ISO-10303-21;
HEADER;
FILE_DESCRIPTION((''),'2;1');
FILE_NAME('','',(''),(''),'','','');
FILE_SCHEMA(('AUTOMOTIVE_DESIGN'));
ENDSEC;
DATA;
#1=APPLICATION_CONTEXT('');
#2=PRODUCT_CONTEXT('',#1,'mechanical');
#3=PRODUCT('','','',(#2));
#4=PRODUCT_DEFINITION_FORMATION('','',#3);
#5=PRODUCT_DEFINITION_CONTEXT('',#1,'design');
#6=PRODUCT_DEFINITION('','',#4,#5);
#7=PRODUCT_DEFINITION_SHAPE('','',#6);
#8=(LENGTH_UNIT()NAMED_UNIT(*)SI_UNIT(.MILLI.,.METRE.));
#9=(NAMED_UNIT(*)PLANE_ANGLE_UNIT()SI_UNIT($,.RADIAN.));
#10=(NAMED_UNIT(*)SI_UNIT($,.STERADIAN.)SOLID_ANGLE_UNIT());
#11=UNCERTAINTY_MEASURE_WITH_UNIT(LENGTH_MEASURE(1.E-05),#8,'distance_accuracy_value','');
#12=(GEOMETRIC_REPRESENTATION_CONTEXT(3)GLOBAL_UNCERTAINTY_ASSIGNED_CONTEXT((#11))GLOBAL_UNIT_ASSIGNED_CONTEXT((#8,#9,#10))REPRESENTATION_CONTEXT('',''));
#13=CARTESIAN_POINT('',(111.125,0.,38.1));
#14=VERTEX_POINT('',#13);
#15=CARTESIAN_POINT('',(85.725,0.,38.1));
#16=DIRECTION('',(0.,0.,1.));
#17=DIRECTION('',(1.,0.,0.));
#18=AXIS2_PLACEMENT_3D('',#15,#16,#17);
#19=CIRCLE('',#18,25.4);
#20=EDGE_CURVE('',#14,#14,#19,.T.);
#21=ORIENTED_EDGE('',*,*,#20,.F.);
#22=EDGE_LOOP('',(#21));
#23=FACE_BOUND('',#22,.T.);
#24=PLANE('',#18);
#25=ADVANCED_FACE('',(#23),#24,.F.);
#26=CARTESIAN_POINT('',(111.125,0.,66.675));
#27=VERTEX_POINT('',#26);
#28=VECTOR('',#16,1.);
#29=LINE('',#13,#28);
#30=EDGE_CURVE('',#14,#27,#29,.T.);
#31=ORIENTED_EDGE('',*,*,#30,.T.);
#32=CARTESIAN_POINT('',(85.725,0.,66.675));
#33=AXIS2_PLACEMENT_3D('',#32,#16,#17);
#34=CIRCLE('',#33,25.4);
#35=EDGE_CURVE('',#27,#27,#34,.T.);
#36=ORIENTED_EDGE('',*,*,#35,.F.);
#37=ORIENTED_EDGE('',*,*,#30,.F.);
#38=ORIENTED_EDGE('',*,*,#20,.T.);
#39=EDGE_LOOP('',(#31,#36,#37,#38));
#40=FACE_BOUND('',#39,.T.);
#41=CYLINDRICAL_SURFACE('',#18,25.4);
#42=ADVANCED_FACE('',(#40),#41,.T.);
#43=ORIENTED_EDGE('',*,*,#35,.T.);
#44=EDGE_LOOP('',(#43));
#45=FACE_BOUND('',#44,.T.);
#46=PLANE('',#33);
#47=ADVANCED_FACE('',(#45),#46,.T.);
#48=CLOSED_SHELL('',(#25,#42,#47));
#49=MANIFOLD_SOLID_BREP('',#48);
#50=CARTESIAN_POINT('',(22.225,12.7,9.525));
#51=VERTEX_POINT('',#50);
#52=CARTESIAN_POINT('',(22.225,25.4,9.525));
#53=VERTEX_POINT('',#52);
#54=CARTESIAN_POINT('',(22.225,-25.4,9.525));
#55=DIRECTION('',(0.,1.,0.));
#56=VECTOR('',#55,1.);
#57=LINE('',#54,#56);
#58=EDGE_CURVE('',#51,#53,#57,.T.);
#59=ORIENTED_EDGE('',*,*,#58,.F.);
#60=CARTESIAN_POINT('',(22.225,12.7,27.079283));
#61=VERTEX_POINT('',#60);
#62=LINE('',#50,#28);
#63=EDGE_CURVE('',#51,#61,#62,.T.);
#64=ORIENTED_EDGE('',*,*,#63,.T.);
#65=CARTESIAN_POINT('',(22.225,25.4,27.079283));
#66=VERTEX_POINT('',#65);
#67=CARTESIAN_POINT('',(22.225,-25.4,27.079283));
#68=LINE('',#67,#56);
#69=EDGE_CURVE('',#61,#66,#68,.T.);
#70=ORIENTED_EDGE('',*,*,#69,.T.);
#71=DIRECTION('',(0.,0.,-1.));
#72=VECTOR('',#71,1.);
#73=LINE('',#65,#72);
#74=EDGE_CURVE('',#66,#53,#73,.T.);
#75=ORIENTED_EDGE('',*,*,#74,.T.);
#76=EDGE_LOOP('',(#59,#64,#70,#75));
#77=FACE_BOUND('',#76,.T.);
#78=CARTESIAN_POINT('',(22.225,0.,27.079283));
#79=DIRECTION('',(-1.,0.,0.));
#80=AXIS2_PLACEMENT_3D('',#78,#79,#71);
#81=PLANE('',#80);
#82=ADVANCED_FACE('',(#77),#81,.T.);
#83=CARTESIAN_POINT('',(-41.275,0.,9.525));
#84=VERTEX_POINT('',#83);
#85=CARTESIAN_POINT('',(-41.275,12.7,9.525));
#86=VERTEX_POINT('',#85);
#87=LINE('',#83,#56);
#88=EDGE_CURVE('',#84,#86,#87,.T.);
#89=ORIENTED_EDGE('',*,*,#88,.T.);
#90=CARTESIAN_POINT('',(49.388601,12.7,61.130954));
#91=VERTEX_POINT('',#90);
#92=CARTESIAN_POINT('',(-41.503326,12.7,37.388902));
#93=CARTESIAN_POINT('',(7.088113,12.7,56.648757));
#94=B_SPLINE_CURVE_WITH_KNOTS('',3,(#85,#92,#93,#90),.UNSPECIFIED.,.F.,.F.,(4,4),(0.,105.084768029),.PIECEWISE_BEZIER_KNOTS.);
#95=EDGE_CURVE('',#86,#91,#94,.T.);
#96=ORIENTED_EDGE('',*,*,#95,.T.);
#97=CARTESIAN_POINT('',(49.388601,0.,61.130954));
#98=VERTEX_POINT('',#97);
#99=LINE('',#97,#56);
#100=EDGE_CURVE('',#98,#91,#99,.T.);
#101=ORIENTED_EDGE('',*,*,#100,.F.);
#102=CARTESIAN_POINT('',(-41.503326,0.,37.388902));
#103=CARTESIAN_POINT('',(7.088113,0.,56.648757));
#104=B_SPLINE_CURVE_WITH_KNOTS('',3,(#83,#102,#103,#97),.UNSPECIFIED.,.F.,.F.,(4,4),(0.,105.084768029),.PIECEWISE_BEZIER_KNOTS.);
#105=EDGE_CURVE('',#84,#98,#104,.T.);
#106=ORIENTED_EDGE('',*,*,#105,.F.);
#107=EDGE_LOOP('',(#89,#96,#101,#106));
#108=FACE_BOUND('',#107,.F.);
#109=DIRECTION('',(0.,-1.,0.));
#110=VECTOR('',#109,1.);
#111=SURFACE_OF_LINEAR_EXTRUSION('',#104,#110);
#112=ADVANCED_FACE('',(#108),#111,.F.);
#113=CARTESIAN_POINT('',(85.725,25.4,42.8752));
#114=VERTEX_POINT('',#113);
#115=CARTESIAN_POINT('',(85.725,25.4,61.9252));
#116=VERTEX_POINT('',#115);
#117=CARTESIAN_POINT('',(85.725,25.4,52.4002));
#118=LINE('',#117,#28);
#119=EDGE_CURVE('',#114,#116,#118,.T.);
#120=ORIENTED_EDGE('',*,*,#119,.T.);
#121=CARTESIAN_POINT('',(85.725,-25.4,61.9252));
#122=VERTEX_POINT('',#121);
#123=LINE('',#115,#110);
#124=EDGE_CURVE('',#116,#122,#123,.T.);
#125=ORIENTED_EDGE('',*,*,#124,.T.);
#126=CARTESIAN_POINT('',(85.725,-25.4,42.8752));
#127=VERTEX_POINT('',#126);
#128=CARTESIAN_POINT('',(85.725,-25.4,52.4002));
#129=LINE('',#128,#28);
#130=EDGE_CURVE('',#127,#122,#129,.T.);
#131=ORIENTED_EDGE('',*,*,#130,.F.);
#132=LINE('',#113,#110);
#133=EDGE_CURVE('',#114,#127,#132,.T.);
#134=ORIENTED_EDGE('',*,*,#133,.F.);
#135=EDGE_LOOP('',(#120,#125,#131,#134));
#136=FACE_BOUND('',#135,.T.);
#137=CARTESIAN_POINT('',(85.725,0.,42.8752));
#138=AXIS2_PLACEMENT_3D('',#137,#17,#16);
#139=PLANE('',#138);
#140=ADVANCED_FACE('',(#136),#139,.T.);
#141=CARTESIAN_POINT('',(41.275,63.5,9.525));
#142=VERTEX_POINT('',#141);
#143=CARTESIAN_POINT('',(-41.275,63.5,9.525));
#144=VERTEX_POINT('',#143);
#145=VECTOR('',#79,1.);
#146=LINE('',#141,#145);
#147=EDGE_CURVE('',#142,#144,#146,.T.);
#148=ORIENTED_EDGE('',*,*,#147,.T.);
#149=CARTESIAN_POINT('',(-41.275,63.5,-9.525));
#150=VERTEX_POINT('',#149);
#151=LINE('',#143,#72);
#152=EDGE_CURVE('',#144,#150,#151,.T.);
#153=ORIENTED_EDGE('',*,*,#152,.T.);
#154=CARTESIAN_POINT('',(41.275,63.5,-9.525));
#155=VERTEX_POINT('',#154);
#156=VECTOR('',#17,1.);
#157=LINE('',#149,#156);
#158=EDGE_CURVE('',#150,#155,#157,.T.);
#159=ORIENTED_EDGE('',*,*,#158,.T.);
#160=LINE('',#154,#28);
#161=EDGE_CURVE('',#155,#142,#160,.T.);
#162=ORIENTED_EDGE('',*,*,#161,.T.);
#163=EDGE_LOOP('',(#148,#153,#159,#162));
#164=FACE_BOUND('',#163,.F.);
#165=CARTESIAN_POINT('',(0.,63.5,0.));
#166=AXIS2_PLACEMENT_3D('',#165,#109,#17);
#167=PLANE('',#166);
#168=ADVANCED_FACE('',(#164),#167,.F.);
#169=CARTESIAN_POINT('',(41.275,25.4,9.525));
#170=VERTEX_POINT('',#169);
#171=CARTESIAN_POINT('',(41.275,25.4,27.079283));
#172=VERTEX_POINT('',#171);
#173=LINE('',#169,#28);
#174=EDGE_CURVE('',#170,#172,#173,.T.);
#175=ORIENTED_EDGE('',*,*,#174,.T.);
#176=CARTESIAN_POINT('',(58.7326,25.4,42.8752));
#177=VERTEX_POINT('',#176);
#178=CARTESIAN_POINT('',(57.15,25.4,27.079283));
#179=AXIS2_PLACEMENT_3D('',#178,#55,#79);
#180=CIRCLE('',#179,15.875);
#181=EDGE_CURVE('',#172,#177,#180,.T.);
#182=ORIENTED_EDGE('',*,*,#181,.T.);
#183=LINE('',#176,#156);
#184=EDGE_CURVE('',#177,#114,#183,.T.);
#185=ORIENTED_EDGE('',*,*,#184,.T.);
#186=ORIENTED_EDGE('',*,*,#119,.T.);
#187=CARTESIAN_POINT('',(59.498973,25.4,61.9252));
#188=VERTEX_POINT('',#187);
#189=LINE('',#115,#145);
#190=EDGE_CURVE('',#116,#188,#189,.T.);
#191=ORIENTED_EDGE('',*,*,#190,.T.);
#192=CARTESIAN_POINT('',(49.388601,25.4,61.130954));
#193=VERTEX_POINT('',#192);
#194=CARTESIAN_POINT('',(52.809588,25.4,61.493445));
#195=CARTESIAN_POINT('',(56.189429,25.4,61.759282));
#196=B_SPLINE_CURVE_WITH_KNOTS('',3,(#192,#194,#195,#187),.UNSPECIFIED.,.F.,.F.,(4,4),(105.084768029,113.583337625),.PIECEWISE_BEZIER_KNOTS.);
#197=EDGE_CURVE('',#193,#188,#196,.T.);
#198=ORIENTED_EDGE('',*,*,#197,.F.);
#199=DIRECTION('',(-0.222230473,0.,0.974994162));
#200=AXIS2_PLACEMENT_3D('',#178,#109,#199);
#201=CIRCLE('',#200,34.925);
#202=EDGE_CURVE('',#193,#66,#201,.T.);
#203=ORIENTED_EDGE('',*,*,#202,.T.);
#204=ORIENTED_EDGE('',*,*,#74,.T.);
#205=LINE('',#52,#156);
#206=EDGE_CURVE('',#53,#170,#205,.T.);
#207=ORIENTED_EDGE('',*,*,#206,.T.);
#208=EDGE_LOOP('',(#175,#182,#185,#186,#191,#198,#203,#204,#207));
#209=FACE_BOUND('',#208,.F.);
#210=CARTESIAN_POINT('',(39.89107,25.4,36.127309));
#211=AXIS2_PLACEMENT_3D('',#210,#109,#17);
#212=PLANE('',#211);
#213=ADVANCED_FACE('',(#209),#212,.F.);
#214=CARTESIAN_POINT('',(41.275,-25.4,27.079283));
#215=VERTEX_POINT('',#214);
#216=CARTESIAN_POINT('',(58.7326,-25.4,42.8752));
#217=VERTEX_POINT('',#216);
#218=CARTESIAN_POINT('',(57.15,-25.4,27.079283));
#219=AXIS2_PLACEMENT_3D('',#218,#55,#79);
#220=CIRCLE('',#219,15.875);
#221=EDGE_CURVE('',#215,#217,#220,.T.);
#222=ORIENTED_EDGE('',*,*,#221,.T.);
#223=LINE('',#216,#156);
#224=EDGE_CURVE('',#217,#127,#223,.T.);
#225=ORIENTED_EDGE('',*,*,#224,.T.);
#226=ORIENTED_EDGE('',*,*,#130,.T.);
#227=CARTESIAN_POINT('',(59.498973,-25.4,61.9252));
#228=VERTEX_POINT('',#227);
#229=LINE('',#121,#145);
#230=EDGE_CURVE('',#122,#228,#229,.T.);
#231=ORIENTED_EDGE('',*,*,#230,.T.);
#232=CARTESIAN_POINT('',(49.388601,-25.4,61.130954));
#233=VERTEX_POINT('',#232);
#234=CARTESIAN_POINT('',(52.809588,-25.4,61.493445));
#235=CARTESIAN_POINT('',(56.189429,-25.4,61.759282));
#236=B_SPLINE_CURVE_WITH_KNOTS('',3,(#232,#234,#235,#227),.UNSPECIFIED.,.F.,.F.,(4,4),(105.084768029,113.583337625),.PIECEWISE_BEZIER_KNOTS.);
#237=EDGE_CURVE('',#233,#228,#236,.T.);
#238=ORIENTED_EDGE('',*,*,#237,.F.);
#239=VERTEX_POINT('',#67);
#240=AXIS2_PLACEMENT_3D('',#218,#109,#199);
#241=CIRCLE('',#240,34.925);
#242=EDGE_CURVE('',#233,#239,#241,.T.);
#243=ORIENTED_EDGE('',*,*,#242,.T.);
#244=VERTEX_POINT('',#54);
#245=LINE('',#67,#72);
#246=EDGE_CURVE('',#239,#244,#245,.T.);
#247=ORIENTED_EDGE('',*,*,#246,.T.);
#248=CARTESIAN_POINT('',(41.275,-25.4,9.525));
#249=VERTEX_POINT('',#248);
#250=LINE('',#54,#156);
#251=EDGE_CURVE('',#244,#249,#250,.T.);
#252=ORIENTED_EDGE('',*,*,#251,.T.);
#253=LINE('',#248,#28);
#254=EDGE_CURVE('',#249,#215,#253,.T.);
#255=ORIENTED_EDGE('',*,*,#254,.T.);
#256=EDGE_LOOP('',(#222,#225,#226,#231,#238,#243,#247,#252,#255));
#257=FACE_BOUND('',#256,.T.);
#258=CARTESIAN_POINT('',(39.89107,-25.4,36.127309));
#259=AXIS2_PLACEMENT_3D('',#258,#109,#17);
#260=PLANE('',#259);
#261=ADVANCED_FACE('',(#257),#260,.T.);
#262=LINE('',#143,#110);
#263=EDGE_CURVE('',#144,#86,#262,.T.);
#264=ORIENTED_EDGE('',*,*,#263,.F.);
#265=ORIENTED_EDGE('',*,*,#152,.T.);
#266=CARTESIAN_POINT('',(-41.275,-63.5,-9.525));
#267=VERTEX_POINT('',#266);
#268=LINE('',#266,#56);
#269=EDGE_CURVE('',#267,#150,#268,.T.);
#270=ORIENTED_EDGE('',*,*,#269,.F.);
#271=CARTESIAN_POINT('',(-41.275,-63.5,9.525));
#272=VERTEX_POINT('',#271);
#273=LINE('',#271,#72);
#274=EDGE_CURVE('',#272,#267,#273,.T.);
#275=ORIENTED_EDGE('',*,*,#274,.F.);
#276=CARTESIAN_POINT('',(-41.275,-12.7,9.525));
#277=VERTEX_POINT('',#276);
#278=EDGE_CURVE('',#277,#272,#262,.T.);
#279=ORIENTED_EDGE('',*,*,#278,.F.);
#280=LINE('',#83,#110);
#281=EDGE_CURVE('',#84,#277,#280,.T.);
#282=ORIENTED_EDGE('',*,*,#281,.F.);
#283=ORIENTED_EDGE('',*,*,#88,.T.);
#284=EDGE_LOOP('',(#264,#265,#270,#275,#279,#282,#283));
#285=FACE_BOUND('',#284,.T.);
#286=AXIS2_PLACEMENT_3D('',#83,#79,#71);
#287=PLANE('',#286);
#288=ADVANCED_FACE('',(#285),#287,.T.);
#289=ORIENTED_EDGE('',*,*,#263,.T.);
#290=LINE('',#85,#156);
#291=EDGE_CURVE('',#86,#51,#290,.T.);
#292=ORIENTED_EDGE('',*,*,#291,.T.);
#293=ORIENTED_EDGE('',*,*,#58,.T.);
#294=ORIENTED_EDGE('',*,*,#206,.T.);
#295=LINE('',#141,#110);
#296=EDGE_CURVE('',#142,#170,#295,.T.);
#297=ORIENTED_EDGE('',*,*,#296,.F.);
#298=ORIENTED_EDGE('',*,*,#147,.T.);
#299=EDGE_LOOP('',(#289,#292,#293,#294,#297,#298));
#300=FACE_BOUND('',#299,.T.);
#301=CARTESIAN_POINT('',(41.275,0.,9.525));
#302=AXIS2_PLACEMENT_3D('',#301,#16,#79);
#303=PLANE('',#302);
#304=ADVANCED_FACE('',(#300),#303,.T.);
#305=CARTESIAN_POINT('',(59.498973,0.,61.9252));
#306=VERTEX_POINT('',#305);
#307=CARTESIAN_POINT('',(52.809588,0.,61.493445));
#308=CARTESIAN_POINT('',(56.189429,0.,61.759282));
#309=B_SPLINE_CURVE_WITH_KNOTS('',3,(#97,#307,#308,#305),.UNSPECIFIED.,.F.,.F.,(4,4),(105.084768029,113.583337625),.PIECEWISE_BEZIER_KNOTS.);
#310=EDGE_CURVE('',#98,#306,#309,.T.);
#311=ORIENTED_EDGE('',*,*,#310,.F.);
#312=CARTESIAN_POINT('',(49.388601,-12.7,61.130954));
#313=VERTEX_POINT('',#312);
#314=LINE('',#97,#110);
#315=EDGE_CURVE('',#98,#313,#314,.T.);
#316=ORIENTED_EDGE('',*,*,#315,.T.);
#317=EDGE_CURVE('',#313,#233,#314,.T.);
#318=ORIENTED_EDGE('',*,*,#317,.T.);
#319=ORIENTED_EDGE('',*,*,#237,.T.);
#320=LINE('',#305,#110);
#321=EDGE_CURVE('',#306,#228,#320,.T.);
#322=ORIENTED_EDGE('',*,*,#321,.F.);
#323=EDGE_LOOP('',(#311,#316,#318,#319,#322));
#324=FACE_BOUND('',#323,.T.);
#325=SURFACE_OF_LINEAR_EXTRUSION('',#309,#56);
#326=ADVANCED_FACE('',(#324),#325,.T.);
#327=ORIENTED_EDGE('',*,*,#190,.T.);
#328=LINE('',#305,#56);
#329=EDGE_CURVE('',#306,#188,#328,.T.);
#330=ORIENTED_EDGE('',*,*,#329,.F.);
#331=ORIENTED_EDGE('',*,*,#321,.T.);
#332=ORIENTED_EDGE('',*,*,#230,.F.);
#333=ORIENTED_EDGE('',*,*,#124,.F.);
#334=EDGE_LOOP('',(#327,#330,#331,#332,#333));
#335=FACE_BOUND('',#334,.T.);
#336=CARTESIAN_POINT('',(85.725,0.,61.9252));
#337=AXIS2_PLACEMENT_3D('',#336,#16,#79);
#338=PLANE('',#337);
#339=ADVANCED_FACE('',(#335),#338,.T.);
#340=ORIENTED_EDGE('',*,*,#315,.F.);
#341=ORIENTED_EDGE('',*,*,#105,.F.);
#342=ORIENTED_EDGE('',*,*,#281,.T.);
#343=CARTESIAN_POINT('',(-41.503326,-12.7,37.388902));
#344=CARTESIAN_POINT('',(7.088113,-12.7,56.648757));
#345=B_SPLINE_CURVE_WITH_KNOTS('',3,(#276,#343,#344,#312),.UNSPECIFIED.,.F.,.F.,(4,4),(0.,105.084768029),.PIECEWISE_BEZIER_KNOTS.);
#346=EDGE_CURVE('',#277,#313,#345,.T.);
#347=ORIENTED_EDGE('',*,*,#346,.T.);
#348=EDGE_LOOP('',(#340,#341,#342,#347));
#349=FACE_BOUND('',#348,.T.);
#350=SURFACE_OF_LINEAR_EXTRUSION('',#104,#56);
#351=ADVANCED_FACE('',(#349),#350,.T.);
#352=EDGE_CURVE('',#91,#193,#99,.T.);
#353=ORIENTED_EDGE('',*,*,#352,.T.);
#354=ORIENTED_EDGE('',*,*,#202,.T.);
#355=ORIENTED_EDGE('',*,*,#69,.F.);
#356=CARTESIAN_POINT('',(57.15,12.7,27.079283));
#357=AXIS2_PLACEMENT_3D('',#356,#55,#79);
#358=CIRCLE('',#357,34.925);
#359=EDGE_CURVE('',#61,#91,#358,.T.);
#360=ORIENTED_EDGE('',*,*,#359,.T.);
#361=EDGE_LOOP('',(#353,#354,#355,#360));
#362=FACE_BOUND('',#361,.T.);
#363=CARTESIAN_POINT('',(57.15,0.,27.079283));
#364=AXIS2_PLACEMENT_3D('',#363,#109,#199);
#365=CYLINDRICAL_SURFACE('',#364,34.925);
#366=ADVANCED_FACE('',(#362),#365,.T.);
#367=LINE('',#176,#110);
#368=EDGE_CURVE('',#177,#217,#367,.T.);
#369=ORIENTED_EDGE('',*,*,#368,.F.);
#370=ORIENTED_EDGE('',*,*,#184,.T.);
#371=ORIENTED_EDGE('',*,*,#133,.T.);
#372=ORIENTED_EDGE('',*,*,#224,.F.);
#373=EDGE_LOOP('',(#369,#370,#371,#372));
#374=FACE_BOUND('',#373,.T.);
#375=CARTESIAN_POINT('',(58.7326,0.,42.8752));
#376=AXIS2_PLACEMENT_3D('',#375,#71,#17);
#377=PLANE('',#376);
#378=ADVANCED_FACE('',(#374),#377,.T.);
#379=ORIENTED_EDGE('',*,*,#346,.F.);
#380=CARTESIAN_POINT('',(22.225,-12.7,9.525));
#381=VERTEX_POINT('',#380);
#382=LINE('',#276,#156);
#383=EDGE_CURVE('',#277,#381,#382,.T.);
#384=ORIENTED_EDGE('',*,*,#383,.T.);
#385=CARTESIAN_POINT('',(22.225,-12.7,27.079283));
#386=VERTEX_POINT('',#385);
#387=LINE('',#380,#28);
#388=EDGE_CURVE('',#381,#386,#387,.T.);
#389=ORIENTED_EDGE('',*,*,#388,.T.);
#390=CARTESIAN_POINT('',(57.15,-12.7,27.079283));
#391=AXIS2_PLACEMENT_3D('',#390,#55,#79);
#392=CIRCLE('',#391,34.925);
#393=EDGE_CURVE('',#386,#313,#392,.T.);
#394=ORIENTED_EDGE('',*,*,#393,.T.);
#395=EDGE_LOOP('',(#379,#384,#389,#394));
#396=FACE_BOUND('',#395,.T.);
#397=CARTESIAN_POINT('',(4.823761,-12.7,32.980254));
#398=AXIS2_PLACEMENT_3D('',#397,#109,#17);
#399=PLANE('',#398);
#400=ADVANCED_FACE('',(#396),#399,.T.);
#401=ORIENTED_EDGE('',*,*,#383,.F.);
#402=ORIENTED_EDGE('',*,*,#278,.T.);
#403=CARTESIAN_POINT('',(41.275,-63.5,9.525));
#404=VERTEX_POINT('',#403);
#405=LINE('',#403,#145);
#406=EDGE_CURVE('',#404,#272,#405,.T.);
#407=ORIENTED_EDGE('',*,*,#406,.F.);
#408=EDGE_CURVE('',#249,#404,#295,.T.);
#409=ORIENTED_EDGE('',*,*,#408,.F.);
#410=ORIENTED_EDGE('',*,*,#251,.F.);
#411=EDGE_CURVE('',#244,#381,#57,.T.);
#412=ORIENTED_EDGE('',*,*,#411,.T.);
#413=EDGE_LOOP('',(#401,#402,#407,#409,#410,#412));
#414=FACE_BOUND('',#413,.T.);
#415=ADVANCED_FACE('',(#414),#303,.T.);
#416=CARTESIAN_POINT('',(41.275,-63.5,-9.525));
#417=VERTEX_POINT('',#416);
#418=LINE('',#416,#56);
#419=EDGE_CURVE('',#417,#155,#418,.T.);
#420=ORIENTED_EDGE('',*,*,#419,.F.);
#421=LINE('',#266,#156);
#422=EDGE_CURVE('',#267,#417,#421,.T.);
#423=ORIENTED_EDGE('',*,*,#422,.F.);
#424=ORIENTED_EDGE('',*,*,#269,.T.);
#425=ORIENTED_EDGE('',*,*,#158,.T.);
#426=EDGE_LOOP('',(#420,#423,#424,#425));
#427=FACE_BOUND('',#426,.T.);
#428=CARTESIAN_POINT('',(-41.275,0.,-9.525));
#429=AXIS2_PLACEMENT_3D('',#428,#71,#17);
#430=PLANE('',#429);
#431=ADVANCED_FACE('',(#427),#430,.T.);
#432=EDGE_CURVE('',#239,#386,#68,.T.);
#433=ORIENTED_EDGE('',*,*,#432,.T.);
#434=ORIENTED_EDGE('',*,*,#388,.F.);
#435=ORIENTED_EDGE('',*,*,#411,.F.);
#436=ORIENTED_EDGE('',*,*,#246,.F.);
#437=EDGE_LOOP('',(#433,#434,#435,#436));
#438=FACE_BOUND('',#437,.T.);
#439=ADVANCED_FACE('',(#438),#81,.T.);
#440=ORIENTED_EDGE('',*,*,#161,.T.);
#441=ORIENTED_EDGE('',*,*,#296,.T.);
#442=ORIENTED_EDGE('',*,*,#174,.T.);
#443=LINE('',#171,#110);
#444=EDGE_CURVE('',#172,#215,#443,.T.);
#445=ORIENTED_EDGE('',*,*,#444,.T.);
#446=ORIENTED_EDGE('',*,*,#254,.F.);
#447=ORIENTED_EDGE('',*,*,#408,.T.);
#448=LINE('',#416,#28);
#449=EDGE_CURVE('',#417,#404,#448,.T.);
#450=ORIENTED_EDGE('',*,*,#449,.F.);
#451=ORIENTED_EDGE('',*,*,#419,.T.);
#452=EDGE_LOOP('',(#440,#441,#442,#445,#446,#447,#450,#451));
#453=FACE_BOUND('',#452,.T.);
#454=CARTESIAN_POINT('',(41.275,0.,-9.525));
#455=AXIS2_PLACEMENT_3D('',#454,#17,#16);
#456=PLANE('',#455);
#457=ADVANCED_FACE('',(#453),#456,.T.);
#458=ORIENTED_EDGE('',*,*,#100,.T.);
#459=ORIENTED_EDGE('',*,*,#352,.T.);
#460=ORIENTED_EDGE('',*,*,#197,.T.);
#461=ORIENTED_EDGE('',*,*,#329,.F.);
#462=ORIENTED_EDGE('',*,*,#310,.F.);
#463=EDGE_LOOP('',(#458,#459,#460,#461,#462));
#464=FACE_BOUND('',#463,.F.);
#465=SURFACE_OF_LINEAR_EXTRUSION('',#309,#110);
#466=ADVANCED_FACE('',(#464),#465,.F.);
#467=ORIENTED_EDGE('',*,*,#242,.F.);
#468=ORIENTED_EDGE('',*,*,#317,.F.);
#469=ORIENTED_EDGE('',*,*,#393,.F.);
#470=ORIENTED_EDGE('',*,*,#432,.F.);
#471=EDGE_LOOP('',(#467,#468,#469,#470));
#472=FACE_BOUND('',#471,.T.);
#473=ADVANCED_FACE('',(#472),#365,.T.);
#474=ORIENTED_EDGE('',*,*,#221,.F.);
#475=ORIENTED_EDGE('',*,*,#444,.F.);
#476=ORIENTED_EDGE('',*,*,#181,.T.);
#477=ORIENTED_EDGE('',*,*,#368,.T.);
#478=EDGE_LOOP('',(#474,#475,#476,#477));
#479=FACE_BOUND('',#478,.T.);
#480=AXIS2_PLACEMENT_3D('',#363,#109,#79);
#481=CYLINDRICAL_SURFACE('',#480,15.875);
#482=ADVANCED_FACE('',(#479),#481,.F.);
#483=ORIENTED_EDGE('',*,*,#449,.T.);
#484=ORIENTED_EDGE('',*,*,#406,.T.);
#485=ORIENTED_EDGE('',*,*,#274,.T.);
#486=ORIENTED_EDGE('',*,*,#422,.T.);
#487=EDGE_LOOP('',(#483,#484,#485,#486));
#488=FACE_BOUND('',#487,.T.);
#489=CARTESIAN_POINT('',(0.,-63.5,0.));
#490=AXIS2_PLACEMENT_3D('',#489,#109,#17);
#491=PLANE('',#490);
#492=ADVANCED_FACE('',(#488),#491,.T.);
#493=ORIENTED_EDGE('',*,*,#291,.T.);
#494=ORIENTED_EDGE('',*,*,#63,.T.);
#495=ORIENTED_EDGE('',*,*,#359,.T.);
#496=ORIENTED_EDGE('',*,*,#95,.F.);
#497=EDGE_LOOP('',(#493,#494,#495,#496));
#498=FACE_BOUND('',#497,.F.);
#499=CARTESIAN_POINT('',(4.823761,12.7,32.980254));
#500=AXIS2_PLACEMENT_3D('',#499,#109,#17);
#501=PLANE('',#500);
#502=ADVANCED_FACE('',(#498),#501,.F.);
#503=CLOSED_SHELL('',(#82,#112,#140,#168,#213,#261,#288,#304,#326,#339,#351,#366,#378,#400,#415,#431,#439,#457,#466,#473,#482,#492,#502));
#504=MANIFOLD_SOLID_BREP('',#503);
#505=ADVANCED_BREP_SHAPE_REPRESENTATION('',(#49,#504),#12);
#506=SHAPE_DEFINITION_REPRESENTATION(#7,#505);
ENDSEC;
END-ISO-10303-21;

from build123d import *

# Parameters (mm, degrees)
F1_DEPTH = 63.5
F0_W     = 25.4
F0_H     = 19.05
F2_DEPTH = 25.4
F4_DEPTH = 12.7


with BuildPart() as f1:
    # F0 (on Front) → F1 (new body, symmetric)
    with BuildSketch(Plane.XZ):
        Polygon((41.275, -9.525), (41.275, 9.525), (22.225, 9.525), (-41.275, 9.525), (-41.275, -9.525), align=None)
    extrude(amount=F1_DEPTH, both=True)

    # F0 (on Front) → F2 (join, symmetric)
    with BuildSketch(Plane.XZ):
        with BuildLine():
            Line((22.225, 9.525), (41.275, 9.525))
            Line((41.275, 9.525), (41.275, 27.0792827207))
            ThreePointArc((41.275, 27.0792827207), (46.4989002379, 38.8508458648), (58.732599856, 42.8752))
            Line((58.732599856, 42.8752), (60.325, 42.8752))
            Line((60.325, 42.8752), (60.325, 61.9252))
            Line((60.325, 61.9252), (59.4989729589, 61.9252))
            add(Edge.make_bspline(
                [(49.3886007307, 61.1309538453), (52.8095878961, 61.4934446217), (56.1894289896, 61.7592818595), (59.4989729589, 61.9252)],
                knots=[105.0847680292, 105.0847680292, 105.0847680292, 105.0847680292, 113.5833376247, 113.5833376247, 113.5833376247, 113.5833376247], degree=3))
            ThreePointArc((49.3886007307, 61.1309538453), (29.8477794449, 48.8587312389), (22.225, 27.0792827207))
            Line((22.225, 27.0792827207), (22.225, 9.525))
        make_face()
        with Locations((73.025, 52.4002)):
            Rectangle(F0_W, F0_H)
    extrude(amount=F2_DEPTH, both=True)

    # F0 (on Front) → F4 (join, symmetric)
    with BuildSketch(Plane.XZ):
        with BuildLine():
            Line((-41.275, 9.525), (22.225, 9.525))
            Line((22.225, 9.525), (22.225, 27.0792827207))
            ThreePointArc((22.225, 27.0792827207), (29.8477794449, 48.8587312389), (49.3886007307, 61.1309538453))
            add(Edge.make_bspline(
                [(-41.275, 9.525), (-41.5033258643, 37.3889022144), (7.0881125519, 56.648757315), (49.3886007307, 61.1309538453)],
                knots=[0, 0, 0, 0, 105.0847680292, 105.0847680292, 105.0847680292, 105.0847680292], degree=3))
        make_face()
    extrude(amount=F4_DEPTH, both=True)


with BuildPart() as f3:
    # F0 (on Front) → F3 (revolve)
    with BuildSketch(Plane.XZ):
        Polygon((85.725, 61.9252), (85.725, 42.8752), (85.725, 38.1), (111.125, 38.1), (111.125, 66.675), (85.725, 66.675), align=None)
    revolve(axis=Axis((85.725, 0, 52.3875), (0, 0, 1)))


solid = Compound([f1.part, f3.part])
